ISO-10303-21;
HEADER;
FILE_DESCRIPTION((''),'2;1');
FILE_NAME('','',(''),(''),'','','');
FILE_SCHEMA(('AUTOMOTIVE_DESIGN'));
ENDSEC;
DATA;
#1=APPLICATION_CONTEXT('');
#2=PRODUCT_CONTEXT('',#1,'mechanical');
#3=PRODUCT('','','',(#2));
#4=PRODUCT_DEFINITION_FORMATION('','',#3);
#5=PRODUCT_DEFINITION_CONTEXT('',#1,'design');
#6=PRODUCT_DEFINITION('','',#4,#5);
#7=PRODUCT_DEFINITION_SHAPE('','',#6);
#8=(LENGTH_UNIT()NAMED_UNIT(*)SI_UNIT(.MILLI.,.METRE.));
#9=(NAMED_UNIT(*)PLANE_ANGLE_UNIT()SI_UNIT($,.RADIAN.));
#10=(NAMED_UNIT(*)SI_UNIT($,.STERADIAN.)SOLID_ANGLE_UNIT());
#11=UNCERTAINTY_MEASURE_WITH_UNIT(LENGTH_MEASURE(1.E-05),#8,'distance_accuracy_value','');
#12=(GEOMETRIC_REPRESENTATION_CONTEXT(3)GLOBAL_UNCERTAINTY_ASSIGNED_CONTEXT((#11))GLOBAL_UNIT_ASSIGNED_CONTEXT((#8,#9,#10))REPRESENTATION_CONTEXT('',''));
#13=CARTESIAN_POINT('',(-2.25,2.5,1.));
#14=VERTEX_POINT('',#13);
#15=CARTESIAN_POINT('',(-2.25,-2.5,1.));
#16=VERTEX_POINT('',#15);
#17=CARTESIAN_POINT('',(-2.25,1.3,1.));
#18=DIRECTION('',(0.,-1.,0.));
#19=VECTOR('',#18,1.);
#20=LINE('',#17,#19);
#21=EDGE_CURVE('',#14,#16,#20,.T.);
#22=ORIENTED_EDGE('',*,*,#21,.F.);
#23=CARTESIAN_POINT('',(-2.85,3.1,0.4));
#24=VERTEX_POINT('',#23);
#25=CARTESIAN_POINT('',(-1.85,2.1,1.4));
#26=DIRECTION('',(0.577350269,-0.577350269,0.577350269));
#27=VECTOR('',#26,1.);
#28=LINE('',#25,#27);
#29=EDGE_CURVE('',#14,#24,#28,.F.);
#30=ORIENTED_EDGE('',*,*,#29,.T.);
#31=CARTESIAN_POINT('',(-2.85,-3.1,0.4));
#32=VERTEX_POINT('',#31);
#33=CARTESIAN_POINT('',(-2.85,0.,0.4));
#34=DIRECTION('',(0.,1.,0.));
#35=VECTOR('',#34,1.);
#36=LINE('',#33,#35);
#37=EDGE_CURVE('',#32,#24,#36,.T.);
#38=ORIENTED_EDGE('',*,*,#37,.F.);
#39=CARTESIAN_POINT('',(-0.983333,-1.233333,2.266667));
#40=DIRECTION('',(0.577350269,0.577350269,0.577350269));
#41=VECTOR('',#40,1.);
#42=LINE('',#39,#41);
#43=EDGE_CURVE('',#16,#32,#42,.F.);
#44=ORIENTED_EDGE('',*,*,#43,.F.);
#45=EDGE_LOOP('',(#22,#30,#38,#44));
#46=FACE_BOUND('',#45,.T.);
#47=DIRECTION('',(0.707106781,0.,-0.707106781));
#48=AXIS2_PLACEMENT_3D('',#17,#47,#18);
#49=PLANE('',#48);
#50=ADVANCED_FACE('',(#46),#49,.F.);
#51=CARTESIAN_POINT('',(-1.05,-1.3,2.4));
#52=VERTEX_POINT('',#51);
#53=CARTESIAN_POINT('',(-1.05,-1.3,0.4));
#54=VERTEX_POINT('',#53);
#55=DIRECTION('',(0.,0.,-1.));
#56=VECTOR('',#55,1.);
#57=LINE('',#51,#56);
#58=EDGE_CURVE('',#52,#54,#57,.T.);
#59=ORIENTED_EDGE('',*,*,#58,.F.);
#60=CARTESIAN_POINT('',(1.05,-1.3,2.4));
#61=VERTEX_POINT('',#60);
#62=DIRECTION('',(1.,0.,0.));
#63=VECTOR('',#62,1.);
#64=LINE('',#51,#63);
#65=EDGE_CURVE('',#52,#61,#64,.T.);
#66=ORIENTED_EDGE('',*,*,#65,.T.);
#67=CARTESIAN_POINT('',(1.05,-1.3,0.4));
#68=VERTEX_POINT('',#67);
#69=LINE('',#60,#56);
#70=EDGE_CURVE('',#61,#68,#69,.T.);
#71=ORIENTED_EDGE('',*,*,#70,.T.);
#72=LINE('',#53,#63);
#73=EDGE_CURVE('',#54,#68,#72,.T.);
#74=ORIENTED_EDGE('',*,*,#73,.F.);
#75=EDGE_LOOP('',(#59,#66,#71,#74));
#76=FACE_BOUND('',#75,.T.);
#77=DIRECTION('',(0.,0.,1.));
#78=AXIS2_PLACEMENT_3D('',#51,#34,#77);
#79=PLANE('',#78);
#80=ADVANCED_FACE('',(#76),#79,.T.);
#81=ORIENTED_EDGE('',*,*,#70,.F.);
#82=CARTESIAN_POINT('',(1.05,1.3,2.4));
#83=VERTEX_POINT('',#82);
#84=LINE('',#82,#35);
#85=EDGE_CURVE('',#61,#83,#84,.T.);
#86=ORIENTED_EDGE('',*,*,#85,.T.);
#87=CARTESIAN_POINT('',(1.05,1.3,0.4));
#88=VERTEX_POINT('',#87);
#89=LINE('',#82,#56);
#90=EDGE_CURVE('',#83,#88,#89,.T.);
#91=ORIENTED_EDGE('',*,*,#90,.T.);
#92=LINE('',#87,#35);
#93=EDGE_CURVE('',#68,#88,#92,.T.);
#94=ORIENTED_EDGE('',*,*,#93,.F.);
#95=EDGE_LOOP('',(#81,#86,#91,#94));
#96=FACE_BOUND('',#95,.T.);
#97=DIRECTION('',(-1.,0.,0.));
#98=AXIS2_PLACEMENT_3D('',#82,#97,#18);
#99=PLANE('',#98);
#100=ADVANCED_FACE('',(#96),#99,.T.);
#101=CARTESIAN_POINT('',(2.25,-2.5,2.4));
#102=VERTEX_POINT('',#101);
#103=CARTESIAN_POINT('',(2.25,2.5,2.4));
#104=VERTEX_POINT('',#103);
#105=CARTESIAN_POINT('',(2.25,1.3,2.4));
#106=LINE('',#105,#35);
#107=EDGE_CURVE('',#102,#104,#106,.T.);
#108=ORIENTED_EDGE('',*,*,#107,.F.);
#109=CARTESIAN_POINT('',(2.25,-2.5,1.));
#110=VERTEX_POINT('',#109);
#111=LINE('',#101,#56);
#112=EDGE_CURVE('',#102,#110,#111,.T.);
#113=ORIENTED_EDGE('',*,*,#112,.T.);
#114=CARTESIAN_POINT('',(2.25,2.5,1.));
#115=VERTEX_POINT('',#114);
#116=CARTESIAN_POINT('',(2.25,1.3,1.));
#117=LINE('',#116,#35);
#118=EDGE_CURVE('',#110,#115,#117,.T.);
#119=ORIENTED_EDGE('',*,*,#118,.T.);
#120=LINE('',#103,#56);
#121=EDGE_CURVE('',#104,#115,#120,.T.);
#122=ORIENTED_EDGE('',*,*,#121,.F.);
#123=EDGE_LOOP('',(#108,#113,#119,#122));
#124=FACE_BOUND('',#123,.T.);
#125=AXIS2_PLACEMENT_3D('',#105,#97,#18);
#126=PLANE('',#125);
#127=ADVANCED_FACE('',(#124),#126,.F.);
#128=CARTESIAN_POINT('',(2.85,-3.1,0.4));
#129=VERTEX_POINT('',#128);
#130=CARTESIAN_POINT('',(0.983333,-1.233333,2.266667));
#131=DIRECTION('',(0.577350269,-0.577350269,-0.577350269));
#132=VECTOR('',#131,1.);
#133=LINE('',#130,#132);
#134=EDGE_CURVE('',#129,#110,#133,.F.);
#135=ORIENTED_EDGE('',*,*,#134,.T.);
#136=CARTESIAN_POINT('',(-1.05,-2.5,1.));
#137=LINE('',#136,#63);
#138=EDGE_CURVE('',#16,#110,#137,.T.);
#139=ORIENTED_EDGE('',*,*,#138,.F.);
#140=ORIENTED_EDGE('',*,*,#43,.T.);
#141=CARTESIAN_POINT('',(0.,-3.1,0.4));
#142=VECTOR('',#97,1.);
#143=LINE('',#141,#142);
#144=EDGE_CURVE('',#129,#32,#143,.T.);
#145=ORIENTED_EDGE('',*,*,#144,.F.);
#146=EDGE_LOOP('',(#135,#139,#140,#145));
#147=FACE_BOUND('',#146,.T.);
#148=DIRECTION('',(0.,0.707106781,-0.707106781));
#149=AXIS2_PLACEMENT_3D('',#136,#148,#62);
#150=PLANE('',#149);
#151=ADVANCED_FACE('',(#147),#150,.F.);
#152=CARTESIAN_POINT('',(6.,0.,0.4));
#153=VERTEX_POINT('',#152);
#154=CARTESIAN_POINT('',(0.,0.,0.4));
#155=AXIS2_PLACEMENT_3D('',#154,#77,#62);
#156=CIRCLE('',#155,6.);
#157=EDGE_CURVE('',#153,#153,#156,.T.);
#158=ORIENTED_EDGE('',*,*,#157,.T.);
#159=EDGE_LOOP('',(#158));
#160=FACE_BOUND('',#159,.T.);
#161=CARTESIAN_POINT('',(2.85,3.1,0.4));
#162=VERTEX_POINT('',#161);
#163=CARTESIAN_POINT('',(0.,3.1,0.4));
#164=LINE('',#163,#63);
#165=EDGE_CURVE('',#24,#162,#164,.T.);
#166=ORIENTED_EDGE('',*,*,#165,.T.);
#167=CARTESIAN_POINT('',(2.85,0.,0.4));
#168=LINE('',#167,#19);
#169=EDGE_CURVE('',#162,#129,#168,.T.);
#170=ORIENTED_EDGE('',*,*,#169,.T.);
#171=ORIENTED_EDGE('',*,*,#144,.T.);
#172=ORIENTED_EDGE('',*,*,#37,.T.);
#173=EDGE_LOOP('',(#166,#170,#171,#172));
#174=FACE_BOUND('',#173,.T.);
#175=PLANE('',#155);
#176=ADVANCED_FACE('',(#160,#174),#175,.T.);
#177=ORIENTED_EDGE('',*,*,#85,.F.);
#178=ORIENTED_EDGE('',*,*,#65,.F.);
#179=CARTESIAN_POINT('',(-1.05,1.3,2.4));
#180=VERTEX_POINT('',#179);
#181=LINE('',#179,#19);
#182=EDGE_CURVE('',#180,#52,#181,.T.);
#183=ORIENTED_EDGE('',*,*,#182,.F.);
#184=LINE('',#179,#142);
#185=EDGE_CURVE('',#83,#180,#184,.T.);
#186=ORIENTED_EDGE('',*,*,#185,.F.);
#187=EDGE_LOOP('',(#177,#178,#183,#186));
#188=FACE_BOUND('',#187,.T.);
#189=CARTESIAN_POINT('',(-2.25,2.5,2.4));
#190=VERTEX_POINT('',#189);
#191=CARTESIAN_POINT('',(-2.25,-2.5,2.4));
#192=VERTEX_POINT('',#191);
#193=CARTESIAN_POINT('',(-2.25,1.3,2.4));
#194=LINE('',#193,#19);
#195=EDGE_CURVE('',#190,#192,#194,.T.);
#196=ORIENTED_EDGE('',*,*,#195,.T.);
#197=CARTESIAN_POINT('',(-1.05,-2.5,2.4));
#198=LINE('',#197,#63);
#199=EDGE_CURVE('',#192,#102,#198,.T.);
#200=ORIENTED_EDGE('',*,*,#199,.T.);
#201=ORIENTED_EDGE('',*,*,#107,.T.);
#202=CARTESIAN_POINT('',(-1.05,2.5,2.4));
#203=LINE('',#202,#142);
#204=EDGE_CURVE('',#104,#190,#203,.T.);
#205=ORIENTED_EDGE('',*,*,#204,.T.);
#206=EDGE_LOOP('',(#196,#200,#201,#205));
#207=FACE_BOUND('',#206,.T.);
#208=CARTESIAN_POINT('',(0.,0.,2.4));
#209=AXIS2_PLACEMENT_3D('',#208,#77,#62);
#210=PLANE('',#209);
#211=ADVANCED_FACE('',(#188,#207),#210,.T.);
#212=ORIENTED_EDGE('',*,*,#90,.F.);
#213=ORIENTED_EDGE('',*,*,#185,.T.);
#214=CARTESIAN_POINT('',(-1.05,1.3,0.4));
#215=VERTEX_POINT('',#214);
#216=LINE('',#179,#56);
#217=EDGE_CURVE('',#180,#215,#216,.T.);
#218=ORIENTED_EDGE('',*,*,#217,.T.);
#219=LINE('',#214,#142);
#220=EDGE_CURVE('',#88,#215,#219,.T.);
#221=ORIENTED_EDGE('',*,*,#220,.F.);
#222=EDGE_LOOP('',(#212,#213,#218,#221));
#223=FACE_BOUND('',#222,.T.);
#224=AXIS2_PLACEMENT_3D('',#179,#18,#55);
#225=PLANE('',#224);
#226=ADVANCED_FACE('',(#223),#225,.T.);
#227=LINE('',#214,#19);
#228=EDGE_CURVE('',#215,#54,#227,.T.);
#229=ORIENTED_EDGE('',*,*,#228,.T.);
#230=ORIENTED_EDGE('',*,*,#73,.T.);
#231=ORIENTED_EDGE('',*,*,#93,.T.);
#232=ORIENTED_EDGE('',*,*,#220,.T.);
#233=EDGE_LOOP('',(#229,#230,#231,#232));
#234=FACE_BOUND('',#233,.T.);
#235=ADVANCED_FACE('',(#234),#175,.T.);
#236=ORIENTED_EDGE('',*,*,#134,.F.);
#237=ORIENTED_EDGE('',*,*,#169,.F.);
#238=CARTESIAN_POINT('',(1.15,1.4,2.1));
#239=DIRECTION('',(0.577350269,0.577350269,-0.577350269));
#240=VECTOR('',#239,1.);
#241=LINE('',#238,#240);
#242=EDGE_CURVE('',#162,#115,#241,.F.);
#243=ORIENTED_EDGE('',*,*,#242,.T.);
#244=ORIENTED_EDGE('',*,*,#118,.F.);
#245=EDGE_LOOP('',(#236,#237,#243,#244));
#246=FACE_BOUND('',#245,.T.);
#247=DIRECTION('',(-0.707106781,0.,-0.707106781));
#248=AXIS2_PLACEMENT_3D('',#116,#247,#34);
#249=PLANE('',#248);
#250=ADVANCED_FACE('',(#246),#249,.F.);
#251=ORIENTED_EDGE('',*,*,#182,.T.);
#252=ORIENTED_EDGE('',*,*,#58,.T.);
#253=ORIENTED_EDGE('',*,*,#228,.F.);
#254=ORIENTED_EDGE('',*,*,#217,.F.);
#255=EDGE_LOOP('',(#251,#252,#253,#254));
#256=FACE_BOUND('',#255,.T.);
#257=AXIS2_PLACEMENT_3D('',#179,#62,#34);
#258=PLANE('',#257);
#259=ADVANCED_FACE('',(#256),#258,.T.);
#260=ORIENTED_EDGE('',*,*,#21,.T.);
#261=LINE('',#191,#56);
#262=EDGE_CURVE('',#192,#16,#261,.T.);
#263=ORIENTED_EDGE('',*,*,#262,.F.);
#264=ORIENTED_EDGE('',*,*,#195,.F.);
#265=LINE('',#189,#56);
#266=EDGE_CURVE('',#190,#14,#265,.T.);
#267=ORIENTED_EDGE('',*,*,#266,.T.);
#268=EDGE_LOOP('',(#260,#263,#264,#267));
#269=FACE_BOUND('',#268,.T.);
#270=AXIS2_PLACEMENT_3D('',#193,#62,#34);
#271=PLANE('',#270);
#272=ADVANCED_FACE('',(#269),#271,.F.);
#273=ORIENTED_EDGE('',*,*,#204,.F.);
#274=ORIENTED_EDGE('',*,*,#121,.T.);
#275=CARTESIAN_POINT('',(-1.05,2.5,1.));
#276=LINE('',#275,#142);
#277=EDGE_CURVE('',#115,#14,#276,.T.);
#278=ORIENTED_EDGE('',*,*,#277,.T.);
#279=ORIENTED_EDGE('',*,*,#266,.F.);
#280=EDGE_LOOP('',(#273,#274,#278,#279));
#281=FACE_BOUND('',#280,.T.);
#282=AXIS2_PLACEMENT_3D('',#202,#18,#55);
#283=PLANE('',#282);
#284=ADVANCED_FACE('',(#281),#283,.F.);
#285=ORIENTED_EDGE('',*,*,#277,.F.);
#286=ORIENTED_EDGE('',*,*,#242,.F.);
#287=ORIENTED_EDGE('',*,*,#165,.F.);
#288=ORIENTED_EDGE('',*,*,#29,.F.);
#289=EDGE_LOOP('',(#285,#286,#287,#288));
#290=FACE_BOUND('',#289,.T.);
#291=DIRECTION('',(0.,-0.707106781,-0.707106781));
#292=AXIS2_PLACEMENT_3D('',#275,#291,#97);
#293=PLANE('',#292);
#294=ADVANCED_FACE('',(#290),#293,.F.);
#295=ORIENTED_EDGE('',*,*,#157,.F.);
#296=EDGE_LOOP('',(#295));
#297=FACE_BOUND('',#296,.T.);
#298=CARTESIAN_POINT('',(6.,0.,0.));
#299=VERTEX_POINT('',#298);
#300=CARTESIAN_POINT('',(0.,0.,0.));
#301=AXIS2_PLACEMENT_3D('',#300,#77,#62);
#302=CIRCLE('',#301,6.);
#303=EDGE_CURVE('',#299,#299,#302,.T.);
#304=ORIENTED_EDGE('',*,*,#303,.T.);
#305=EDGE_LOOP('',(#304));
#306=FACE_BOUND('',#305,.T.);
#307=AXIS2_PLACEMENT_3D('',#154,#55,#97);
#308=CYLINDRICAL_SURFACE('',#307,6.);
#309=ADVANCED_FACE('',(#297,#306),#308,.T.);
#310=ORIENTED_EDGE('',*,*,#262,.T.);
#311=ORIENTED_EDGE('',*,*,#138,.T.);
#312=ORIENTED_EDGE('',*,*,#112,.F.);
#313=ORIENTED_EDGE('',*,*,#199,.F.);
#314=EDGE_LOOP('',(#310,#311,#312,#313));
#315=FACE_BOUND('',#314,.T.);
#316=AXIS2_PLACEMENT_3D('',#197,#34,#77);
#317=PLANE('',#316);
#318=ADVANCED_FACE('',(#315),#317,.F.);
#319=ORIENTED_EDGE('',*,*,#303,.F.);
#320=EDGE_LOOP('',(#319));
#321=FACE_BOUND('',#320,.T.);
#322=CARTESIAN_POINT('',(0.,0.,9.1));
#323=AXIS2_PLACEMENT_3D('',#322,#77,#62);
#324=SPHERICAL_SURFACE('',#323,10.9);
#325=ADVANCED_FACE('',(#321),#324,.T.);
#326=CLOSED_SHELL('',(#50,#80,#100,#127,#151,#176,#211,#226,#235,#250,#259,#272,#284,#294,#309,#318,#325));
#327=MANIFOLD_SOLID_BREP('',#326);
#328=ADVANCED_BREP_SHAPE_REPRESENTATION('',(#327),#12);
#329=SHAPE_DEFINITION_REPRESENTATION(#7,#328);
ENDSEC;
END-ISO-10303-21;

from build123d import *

# Parameters (mm, degrees)
ESQUISSE1_R        = 6
BOSS_EXTRU_1_DEPTH = 0.4
D_ME1_FACE_RADIUS  = 6
D_ME1_HEIGHT       = 1.8
ESQUISSE3_W        = 4.5
ESQUISSE3_H        = 5
ESQUISSE3_W_2      = 2.1
ESQUISSE3_H_2      = 2.6
EXTRU_MINCE1_DEPTH = 2
CHANFREIN1_SIZE    = 0.6


with BuildPart() as part:
    # Esquisse1 → Boss.-Extru.1 (new body)
    with BuildSketch(Plane.XY):
        Circle(ESQUISSE1_R)
    extrude(amount=BOSS_EXTRU_1_DEPTH)

    # Dôme1: a dome of height H over a round flat face of radius A is a cap of a sphere of radius (A * A + H * H) / (2 * H)
    d_me1_r = (D_ME1_FACE_RADIUS * D_ME1_FACE_RADIUS + D_ME1_HEIGHT * D_ME1_HEIGHT) / (2 * D_ME1_HEIGHT)
    d_me1_base = Plane((0, 0, 0), z_dir=(0, 0, -1))
    with Locations(d_me1_base.offset(D_ME1_HEIGHT - d_me1_r)):
        d_me1_ball = Sphere(d_me1_r, mode=Mode.PRIVATE)
    add(split(d_me1_ball, bisect_by=d_me1_base, keep=Keep.TOP, mode=Mode.PRIVATE))

    # Esquisse3 → Extru.-Mince1 (add)
    with BuildSketch(Plane.XY.offset(0.4)):
        Rectangle(ESQUISSE3_W, ESQUISSE3_H)
        Rectangle(ESQUISSE3_W_2, ESQUISSE3_H_2, mode=Mode.SUBTRACT)
    extrude(amount=EXTRU_MINCE1_DEPTH)

    # Chanfrein1
    chanfrein1_edges = [part.edges().sort_by_distance(p)[0] for p in [
        (2.25, 0, 0.4),
        (0, 2.5, 0.4),
        (-2.25, 0, 0.4),
        (0, -2.5, 0.4),
    ]]
    chamfer(chanfrein1_edges, length=CHANFREIN1_SIZE)


solid = part.part
